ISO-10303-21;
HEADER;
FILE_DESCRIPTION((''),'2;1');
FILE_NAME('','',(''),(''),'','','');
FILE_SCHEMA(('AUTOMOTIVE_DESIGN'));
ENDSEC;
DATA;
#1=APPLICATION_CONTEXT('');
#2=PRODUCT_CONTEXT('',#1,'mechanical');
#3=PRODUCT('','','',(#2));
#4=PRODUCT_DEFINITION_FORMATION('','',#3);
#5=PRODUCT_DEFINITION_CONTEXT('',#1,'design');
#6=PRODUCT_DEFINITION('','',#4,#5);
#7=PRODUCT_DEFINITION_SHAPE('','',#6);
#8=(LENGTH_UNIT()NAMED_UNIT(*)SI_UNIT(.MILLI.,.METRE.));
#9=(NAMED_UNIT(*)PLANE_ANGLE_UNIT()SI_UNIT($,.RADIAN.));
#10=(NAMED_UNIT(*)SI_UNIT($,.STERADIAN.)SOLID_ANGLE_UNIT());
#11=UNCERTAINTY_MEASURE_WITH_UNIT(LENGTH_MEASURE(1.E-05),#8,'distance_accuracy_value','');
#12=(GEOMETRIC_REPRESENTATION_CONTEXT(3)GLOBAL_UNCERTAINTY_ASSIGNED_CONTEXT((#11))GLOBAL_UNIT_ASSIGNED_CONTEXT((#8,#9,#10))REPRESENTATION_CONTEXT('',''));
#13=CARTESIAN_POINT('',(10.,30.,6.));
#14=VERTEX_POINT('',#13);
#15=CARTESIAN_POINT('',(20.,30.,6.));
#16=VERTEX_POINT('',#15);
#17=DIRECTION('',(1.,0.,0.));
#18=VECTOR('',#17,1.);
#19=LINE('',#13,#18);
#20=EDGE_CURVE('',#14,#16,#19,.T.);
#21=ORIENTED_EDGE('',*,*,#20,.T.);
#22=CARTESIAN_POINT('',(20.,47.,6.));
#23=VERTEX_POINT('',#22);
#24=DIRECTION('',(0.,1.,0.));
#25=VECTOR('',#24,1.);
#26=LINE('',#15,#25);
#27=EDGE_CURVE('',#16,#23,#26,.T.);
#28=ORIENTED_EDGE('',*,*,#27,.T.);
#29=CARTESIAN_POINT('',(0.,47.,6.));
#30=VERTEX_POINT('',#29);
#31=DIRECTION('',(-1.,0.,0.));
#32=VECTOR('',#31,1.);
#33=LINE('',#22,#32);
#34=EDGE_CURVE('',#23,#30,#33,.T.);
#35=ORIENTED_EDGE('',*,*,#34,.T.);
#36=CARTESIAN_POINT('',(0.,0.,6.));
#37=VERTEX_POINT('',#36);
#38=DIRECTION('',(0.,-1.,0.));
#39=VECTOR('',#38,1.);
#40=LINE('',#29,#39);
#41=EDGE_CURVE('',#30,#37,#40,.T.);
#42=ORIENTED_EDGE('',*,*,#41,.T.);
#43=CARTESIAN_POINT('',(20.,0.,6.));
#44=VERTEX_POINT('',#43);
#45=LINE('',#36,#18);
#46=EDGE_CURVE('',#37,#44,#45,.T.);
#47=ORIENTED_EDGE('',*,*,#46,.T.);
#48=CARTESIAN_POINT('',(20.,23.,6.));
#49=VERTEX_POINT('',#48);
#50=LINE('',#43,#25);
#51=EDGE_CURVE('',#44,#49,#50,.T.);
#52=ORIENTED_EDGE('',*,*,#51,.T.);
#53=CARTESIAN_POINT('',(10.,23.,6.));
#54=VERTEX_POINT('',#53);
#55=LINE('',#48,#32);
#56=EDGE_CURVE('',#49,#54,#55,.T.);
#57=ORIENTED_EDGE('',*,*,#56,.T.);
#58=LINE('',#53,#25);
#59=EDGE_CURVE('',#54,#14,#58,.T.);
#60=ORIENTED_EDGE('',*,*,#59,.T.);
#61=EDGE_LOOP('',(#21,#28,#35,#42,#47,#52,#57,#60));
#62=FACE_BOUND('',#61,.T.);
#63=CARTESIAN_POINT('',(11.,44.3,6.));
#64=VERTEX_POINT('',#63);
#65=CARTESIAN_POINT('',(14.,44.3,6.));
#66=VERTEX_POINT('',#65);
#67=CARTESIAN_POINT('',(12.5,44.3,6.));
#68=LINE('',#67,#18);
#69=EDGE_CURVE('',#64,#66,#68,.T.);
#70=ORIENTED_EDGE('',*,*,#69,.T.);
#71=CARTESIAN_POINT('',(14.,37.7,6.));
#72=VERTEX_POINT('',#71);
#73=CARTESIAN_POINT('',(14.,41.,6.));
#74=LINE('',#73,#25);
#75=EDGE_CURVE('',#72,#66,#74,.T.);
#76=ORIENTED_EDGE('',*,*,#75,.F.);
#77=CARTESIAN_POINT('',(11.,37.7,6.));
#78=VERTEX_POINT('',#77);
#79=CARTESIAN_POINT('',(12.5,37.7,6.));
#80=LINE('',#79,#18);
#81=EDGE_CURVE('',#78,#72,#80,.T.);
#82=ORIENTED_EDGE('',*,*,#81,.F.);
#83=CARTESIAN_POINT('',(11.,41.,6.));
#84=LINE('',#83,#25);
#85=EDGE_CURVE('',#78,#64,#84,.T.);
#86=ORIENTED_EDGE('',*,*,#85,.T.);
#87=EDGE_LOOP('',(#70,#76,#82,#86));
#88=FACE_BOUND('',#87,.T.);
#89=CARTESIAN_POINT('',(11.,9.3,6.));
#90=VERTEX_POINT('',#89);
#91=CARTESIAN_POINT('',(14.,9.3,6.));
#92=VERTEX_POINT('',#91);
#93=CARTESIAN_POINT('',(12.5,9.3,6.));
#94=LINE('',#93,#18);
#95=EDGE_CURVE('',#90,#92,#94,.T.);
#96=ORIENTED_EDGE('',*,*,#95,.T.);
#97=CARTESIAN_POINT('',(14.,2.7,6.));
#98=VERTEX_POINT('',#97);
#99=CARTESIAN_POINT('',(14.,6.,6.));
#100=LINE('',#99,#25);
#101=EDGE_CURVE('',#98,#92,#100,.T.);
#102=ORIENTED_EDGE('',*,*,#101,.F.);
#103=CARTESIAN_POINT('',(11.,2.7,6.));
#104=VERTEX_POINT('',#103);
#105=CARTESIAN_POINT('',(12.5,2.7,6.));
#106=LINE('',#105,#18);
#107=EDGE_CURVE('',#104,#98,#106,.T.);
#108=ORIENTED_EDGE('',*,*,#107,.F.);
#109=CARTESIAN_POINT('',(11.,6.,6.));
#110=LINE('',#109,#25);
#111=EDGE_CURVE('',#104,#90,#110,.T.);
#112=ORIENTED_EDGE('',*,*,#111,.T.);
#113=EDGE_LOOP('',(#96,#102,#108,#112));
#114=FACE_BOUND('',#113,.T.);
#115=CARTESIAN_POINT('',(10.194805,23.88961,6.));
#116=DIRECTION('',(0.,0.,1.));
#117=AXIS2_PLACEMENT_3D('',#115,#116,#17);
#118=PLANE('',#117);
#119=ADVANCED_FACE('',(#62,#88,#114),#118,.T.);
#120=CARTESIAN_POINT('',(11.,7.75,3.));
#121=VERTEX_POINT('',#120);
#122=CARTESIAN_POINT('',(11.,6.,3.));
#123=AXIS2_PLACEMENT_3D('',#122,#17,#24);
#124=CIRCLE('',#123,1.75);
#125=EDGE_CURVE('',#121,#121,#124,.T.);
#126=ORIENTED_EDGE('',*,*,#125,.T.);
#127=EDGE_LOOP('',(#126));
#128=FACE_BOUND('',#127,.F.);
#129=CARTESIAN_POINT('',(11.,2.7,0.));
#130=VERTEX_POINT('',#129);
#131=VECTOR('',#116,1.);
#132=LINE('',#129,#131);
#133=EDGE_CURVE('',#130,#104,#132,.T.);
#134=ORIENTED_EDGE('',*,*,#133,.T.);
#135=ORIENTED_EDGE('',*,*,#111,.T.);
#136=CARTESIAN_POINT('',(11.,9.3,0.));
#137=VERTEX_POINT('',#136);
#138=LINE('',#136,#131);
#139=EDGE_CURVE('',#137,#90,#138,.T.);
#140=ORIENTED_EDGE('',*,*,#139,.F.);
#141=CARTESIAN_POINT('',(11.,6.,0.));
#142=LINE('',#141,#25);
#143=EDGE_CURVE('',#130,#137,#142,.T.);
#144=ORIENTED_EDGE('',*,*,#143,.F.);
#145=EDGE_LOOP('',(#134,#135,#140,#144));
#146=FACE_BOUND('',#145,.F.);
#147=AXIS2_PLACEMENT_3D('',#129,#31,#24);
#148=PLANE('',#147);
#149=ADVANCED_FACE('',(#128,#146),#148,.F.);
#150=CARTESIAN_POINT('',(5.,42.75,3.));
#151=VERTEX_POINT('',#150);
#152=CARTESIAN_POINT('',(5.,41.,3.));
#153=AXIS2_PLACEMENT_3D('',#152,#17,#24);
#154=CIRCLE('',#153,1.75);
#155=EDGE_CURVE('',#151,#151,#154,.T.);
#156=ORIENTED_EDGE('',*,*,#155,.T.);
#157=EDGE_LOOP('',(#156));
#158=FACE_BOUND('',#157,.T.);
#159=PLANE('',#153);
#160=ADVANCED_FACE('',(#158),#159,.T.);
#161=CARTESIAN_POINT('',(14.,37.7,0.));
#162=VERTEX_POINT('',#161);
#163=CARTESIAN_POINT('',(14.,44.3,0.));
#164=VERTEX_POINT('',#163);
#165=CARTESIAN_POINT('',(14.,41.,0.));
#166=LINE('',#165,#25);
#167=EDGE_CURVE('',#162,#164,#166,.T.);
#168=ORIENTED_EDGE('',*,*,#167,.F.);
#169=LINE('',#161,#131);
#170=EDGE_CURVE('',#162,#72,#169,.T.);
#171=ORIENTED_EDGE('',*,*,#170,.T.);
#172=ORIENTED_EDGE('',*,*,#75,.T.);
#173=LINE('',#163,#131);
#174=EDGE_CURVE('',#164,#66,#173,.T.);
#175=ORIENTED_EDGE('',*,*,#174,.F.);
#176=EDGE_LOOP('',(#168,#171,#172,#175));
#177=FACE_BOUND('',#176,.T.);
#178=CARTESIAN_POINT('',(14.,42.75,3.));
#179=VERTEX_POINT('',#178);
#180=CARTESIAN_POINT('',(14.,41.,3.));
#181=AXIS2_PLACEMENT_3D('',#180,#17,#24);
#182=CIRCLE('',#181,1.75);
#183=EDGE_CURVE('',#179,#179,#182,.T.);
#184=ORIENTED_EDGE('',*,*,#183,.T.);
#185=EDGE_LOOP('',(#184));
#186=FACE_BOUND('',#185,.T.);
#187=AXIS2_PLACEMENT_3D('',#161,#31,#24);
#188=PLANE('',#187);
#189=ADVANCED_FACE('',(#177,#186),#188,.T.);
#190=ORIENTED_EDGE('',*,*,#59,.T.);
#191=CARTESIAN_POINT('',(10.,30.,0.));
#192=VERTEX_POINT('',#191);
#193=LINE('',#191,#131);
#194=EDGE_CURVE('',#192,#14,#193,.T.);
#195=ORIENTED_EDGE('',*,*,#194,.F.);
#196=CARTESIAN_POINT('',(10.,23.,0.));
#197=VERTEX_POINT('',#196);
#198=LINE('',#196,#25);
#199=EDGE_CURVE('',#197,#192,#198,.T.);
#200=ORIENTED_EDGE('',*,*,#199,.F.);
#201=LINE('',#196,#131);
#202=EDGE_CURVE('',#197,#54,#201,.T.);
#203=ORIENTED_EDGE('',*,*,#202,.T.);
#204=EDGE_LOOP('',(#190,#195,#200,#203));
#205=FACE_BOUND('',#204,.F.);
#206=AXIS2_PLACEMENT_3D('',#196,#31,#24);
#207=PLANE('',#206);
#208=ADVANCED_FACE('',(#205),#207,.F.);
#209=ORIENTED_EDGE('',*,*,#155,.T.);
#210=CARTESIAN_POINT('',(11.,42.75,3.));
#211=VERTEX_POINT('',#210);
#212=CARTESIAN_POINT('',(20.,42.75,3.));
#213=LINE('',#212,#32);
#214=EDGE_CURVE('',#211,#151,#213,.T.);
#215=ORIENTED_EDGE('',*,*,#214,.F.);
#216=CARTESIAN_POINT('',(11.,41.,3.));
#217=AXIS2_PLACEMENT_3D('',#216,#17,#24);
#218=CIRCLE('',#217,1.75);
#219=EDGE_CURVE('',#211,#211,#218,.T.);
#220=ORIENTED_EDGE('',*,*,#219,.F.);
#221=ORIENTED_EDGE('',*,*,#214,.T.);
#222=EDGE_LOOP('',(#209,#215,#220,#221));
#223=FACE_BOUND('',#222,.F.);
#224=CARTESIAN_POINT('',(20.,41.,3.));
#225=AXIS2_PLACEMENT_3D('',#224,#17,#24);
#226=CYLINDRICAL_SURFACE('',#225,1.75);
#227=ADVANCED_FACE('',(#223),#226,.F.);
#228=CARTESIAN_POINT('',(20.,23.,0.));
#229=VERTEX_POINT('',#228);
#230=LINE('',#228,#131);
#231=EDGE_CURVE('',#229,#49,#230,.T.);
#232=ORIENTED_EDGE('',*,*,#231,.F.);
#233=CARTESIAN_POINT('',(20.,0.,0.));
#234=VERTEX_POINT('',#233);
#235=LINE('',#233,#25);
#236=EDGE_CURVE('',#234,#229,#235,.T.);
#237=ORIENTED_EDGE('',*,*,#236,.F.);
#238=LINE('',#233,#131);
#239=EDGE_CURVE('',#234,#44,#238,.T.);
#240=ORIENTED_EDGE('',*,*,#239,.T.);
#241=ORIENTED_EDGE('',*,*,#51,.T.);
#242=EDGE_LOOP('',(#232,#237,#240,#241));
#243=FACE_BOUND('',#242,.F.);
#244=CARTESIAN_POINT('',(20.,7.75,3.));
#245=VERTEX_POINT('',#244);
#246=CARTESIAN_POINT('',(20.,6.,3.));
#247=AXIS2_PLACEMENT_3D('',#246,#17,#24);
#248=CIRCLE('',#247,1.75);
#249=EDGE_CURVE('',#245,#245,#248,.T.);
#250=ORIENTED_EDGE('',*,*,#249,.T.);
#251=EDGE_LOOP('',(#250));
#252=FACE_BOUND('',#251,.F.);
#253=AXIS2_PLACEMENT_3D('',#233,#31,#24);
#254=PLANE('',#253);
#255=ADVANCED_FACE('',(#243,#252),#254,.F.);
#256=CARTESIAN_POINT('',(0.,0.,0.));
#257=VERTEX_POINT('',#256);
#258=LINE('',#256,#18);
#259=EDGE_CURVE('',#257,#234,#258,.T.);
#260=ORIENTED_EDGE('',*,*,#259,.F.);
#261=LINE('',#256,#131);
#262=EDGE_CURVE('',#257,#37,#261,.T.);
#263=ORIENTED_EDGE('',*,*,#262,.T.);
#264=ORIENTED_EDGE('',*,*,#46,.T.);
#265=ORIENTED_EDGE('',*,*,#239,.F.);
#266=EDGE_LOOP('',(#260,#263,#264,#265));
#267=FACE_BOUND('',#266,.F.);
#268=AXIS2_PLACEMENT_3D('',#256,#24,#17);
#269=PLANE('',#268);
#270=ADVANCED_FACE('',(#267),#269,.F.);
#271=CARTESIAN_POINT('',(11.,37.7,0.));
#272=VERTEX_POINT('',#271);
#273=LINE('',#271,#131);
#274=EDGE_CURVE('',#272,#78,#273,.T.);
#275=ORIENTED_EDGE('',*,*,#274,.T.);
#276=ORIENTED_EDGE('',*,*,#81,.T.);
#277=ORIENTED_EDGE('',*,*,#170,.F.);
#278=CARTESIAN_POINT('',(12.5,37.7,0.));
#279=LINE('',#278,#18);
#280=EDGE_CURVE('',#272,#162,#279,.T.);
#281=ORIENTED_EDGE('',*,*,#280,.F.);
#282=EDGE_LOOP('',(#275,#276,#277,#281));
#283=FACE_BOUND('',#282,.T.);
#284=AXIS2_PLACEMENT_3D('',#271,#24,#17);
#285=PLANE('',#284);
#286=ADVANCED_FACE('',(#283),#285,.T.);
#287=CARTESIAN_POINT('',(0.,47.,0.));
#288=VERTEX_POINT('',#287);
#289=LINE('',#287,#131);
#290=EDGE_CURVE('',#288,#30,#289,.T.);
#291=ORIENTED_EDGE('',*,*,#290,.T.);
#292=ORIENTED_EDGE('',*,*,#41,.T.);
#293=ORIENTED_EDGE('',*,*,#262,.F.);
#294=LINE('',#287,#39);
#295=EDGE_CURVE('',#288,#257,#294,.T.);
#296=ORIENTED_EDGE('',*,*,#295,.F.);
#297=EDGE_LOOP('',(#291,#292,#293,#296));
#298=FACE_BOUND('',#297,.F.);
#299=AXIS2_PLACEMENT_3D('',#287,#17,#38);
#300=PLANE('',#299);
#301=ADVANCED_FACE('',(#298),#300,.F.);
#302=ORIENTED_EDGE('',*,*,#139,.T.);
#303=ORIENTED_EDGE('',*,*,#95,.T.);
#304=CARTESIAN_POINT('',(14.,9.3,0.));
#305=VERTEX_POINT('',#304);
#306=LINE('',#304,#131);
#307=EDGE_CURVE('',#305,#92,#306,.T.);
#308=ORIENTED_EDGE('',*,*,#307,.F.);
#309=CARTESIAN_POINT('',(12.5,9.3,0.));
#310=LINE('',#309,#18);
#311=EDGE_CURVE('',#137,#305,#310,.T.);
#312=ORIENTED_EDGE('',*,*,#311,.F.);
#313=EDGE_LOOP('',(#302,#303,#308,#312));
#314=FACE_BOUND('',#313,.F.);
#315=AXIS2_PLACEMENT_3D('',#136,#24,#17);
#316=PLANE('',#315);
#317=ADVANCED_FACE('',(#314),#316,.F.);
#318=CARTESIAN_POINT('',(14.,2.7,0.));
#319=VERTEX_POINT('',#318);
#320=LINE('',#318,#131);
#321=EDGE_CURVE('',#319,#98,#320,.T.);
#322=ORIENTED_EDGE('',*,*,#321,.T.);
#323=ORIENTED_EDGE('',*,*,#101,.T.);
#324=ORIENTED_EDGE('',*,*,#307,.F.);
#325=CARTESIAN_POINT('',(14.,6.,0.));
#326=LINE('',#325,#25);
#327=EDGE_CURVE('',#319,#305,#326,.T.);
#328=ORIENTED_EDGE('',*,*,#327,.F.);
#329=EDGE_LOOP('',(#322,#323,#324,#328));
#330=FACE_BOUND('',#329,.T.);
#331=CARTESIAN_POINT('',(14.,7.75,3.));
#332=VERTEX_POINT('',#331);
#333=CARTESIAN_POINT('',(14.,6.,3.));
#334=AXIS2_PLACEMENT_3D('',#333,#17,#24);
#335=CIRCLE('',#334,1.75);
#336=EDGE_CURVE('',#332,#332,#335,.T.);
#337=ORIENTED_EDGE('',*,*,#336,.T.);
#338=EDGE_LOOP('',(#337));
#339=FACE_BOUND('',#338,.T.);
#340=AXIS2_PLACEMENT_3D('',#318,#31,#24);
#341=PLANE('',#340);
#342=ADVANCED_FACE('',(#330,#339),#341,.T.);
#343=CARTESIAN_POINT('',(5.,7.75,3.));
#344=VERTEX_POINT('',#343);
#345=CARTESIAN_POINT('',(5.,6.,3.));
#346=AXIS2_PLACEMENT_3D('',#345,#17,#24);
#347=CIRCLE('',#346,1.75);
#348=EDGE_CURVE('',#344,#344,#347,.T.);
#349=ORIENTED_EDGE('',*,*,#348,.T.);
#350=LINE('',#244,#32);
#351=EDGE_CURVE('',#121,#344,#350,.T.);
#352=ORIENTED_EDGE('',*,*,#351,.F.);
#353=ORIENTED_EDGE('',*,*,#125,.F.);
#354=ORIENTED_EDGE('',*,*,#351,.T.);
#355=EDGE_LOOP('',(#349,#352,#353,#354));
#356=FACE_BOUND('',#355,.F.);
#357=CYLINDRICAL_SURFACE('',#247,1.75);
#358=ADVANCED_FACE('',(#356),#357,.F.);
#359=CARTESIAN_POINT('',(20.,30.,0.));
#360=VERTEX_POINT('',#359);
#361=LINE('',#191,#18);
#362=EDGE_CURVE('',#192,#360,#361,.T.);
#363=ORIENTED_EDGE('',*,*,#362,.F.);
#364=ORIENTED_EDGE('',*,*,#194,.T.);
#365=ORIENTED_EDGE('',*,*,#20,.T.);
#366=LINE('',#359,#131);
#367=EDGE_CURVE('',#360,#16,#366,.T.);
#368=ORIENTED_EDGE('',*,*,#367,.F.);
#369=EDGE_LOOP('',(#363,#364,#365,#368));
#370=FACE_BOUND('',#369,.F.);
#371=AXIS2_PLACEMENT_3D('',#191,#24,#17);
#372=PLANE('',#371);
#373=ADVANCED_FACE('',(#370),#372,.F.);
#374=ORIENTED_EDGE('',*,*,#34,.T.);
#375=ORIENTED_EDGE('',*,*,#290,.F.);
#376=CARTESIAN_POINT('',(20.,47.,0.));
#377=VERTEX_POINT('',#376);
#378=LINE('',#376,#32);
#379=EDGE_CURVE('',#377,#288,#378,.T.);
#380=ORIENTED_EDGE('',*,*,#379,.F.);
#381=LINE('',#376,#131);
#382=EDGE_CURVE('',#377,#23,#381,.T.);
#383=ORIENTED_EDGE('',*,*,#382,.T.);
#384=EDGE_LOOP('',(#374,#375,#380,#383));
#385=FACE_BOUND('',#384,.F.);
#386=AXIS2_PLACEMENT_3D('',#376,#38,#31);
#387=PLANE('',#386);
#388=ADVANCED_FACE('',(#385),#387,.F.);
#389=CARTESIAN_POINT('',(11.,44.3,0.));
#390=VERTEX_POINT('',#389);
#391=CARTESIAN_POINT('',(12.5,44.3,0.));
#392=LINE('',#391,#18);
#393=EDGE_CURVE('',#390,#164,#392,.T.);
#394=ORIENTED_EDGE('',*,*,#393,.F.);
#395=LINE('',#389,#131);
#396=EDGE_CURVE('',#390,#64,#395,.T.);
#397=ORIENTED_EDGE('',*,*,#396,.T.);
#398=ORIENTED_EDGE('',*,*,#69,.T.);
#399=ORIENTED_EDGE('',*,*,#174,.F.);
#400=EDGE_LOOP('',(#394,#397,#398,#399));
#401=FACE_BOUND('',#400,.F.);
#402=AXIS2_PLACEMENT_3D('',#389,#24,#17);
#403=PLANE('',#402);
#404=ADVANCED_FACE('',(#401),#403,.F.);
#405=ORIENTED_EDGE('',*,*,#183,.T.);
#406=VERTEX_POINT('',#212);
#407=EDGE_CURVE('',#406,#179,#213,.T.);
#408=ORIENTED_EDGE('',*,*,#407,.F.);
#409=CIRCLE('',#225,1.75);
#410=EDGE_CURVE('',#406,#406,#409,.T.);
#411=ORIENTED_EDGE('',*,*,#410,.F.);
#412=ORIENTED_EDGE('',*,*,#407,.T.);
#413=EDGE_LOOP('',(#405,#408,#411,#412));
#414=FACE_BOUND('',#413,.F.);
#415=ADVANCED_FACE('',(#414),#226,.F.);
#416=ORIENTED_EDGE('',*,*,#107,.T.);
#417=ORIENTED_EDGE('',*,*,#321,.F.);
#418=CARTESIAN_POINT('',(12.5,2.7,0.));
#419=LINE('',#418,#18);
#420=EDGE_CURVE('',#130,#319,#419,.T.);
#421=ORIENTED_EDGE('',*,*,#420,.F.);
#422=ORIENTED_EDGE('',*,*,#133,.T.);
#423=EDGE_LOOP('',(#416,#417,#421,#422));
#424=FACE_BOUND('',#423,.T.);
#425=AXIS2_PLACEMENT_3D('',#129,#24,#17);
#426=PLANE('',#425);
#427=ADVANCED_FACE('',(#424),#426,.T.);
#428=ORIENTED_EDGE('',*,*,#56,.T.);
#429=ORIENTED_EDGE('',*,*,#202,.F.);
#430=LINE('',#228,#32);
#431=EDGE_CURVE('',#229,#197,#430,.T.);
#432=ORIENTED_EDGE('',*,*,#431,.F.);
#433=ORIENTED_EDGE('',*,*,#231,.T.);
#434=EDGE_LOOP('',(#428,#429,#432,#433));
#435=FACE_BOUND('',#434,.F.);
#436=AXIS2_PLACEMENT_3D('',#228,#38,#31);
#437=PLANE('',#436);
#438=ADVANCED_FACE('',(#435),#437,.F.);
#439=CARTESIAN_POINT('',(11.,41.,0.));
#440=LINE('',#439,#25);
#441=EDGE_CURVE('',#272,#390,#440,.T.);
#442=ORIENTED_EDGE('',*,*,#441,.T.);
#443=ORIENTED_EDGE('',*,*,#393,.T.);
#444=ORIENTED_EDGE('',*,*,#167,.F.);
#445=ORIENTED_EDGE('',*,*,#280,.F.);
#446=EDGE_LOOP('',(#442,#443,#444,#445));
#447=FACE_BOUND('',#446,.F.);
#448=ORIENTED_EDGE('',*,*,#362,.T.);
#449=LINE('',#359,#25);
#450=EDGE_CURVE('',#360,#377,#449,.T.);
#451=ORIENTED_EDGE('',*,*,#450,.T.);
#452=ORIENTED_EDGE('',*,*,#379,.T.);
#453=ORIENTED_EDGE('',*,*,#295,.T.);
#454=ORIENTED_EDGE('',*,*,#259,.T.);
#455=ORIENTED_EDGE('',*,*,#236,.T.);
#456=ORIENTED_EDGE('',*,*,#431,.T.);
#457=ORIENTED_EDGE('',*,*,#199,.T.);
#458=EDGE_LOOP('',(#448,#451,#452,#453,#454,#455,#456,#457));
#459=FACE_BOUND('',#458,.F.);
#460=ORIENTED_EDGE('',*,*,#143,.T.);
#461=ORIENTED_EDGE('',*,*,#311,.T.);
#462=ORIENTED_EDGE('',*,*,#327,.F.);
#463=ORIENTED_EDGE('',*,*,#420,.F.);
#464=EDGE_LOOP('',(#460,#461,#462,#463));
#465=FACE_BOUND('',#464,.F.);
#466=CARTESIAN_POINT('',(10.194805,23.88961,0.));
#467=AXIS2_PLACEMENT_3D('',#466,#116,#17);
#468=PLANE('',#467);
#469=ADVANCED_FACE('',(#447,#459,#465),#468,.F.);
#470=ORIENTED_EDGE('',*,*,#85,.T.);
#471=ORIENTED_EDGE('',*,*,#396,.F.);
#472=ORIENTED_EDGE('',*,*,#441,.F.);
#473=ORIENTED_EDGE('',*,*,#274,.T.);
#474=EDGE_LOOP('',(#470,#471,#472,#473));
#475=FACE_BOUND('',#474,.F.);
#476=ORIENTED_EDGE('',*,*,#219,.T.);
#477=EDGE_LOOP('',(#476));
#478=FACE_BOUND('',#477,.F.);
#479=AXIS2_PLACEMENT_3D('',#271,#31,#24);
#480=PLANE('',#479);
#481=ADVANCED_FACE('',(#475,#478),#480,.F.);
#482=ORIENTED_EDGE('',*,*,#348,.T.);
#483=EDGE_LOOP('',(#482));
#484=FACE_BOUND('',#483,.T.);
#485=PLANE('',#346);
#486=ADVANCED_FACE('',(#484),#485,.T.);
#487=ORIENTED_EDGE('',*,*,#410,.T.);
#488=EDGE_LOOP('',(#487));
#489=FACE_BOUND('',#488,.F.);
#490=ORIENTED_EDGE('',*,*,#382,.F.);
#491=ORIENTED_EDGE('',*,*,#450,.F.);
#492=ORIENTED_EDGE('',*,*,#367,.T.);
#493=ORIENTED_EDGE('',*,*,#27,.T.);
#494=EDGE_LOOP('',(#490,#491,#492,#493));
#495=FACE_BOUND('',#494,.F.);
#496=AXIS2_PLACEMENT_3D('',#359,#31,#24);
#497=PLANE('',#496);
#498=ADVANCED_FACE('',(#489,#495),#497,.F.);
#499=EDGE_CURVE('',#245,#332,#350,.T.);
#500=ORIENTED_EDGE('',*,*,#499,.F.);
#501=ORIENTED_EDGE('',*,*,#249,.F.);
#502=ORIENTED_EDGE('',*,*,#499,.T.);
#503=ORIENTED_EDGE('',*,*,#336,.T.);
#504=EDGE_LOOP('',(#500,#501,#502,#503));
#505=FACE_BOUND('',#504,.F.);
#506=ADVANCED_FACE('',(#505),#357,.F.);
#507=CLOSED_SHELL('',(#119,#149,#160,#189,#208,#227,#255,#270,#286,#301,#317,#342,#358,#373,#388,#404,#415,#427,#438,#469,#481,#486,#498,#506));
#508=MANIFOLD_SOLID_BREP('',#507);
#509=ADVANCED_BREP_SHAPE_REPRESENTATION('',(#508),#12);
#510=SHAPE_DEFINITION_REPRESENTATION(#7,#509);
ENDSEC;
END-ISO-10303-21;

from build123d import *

# Parameters (mm, degrees)
F0_W     = 3
F0_H     = 6.6
F1_DEPTH = 6
F2_R     = 1.75
F3_DEPTH = 15


with BuildPart() as f1:
    # F0 (on Top) → F1 (new body)
    with BuildSketch(Plane.XY):
        Polygon((0, 47), (0, 0), (20, 0), (20, 23), (10, 23), (10, 30), (20, 30), (20, 47), align=None)
        with Locations((12.5, 6)):
            Rectangle(F0_W, F0_H, mode=Mode.SUBTRACT)
        with Locations((12.5, 41)):
            Rectangle(F0_W, F0_H, mode=Mode.SUBTRACT)
    extrude(amount=F1_DEPTH)

    # F2 (on face) → F3 (cut)
    with BuildSketch(Plane.YZ.offset(20)):
        with Locations((41, 3)):
            Circle(F2_R)
        with Locations((6, 3)):
            Circle(F2_R)
    extrude(amount=-F3_DEPTH, mode=Mode.SUBTRACT)


solid = f1.part
